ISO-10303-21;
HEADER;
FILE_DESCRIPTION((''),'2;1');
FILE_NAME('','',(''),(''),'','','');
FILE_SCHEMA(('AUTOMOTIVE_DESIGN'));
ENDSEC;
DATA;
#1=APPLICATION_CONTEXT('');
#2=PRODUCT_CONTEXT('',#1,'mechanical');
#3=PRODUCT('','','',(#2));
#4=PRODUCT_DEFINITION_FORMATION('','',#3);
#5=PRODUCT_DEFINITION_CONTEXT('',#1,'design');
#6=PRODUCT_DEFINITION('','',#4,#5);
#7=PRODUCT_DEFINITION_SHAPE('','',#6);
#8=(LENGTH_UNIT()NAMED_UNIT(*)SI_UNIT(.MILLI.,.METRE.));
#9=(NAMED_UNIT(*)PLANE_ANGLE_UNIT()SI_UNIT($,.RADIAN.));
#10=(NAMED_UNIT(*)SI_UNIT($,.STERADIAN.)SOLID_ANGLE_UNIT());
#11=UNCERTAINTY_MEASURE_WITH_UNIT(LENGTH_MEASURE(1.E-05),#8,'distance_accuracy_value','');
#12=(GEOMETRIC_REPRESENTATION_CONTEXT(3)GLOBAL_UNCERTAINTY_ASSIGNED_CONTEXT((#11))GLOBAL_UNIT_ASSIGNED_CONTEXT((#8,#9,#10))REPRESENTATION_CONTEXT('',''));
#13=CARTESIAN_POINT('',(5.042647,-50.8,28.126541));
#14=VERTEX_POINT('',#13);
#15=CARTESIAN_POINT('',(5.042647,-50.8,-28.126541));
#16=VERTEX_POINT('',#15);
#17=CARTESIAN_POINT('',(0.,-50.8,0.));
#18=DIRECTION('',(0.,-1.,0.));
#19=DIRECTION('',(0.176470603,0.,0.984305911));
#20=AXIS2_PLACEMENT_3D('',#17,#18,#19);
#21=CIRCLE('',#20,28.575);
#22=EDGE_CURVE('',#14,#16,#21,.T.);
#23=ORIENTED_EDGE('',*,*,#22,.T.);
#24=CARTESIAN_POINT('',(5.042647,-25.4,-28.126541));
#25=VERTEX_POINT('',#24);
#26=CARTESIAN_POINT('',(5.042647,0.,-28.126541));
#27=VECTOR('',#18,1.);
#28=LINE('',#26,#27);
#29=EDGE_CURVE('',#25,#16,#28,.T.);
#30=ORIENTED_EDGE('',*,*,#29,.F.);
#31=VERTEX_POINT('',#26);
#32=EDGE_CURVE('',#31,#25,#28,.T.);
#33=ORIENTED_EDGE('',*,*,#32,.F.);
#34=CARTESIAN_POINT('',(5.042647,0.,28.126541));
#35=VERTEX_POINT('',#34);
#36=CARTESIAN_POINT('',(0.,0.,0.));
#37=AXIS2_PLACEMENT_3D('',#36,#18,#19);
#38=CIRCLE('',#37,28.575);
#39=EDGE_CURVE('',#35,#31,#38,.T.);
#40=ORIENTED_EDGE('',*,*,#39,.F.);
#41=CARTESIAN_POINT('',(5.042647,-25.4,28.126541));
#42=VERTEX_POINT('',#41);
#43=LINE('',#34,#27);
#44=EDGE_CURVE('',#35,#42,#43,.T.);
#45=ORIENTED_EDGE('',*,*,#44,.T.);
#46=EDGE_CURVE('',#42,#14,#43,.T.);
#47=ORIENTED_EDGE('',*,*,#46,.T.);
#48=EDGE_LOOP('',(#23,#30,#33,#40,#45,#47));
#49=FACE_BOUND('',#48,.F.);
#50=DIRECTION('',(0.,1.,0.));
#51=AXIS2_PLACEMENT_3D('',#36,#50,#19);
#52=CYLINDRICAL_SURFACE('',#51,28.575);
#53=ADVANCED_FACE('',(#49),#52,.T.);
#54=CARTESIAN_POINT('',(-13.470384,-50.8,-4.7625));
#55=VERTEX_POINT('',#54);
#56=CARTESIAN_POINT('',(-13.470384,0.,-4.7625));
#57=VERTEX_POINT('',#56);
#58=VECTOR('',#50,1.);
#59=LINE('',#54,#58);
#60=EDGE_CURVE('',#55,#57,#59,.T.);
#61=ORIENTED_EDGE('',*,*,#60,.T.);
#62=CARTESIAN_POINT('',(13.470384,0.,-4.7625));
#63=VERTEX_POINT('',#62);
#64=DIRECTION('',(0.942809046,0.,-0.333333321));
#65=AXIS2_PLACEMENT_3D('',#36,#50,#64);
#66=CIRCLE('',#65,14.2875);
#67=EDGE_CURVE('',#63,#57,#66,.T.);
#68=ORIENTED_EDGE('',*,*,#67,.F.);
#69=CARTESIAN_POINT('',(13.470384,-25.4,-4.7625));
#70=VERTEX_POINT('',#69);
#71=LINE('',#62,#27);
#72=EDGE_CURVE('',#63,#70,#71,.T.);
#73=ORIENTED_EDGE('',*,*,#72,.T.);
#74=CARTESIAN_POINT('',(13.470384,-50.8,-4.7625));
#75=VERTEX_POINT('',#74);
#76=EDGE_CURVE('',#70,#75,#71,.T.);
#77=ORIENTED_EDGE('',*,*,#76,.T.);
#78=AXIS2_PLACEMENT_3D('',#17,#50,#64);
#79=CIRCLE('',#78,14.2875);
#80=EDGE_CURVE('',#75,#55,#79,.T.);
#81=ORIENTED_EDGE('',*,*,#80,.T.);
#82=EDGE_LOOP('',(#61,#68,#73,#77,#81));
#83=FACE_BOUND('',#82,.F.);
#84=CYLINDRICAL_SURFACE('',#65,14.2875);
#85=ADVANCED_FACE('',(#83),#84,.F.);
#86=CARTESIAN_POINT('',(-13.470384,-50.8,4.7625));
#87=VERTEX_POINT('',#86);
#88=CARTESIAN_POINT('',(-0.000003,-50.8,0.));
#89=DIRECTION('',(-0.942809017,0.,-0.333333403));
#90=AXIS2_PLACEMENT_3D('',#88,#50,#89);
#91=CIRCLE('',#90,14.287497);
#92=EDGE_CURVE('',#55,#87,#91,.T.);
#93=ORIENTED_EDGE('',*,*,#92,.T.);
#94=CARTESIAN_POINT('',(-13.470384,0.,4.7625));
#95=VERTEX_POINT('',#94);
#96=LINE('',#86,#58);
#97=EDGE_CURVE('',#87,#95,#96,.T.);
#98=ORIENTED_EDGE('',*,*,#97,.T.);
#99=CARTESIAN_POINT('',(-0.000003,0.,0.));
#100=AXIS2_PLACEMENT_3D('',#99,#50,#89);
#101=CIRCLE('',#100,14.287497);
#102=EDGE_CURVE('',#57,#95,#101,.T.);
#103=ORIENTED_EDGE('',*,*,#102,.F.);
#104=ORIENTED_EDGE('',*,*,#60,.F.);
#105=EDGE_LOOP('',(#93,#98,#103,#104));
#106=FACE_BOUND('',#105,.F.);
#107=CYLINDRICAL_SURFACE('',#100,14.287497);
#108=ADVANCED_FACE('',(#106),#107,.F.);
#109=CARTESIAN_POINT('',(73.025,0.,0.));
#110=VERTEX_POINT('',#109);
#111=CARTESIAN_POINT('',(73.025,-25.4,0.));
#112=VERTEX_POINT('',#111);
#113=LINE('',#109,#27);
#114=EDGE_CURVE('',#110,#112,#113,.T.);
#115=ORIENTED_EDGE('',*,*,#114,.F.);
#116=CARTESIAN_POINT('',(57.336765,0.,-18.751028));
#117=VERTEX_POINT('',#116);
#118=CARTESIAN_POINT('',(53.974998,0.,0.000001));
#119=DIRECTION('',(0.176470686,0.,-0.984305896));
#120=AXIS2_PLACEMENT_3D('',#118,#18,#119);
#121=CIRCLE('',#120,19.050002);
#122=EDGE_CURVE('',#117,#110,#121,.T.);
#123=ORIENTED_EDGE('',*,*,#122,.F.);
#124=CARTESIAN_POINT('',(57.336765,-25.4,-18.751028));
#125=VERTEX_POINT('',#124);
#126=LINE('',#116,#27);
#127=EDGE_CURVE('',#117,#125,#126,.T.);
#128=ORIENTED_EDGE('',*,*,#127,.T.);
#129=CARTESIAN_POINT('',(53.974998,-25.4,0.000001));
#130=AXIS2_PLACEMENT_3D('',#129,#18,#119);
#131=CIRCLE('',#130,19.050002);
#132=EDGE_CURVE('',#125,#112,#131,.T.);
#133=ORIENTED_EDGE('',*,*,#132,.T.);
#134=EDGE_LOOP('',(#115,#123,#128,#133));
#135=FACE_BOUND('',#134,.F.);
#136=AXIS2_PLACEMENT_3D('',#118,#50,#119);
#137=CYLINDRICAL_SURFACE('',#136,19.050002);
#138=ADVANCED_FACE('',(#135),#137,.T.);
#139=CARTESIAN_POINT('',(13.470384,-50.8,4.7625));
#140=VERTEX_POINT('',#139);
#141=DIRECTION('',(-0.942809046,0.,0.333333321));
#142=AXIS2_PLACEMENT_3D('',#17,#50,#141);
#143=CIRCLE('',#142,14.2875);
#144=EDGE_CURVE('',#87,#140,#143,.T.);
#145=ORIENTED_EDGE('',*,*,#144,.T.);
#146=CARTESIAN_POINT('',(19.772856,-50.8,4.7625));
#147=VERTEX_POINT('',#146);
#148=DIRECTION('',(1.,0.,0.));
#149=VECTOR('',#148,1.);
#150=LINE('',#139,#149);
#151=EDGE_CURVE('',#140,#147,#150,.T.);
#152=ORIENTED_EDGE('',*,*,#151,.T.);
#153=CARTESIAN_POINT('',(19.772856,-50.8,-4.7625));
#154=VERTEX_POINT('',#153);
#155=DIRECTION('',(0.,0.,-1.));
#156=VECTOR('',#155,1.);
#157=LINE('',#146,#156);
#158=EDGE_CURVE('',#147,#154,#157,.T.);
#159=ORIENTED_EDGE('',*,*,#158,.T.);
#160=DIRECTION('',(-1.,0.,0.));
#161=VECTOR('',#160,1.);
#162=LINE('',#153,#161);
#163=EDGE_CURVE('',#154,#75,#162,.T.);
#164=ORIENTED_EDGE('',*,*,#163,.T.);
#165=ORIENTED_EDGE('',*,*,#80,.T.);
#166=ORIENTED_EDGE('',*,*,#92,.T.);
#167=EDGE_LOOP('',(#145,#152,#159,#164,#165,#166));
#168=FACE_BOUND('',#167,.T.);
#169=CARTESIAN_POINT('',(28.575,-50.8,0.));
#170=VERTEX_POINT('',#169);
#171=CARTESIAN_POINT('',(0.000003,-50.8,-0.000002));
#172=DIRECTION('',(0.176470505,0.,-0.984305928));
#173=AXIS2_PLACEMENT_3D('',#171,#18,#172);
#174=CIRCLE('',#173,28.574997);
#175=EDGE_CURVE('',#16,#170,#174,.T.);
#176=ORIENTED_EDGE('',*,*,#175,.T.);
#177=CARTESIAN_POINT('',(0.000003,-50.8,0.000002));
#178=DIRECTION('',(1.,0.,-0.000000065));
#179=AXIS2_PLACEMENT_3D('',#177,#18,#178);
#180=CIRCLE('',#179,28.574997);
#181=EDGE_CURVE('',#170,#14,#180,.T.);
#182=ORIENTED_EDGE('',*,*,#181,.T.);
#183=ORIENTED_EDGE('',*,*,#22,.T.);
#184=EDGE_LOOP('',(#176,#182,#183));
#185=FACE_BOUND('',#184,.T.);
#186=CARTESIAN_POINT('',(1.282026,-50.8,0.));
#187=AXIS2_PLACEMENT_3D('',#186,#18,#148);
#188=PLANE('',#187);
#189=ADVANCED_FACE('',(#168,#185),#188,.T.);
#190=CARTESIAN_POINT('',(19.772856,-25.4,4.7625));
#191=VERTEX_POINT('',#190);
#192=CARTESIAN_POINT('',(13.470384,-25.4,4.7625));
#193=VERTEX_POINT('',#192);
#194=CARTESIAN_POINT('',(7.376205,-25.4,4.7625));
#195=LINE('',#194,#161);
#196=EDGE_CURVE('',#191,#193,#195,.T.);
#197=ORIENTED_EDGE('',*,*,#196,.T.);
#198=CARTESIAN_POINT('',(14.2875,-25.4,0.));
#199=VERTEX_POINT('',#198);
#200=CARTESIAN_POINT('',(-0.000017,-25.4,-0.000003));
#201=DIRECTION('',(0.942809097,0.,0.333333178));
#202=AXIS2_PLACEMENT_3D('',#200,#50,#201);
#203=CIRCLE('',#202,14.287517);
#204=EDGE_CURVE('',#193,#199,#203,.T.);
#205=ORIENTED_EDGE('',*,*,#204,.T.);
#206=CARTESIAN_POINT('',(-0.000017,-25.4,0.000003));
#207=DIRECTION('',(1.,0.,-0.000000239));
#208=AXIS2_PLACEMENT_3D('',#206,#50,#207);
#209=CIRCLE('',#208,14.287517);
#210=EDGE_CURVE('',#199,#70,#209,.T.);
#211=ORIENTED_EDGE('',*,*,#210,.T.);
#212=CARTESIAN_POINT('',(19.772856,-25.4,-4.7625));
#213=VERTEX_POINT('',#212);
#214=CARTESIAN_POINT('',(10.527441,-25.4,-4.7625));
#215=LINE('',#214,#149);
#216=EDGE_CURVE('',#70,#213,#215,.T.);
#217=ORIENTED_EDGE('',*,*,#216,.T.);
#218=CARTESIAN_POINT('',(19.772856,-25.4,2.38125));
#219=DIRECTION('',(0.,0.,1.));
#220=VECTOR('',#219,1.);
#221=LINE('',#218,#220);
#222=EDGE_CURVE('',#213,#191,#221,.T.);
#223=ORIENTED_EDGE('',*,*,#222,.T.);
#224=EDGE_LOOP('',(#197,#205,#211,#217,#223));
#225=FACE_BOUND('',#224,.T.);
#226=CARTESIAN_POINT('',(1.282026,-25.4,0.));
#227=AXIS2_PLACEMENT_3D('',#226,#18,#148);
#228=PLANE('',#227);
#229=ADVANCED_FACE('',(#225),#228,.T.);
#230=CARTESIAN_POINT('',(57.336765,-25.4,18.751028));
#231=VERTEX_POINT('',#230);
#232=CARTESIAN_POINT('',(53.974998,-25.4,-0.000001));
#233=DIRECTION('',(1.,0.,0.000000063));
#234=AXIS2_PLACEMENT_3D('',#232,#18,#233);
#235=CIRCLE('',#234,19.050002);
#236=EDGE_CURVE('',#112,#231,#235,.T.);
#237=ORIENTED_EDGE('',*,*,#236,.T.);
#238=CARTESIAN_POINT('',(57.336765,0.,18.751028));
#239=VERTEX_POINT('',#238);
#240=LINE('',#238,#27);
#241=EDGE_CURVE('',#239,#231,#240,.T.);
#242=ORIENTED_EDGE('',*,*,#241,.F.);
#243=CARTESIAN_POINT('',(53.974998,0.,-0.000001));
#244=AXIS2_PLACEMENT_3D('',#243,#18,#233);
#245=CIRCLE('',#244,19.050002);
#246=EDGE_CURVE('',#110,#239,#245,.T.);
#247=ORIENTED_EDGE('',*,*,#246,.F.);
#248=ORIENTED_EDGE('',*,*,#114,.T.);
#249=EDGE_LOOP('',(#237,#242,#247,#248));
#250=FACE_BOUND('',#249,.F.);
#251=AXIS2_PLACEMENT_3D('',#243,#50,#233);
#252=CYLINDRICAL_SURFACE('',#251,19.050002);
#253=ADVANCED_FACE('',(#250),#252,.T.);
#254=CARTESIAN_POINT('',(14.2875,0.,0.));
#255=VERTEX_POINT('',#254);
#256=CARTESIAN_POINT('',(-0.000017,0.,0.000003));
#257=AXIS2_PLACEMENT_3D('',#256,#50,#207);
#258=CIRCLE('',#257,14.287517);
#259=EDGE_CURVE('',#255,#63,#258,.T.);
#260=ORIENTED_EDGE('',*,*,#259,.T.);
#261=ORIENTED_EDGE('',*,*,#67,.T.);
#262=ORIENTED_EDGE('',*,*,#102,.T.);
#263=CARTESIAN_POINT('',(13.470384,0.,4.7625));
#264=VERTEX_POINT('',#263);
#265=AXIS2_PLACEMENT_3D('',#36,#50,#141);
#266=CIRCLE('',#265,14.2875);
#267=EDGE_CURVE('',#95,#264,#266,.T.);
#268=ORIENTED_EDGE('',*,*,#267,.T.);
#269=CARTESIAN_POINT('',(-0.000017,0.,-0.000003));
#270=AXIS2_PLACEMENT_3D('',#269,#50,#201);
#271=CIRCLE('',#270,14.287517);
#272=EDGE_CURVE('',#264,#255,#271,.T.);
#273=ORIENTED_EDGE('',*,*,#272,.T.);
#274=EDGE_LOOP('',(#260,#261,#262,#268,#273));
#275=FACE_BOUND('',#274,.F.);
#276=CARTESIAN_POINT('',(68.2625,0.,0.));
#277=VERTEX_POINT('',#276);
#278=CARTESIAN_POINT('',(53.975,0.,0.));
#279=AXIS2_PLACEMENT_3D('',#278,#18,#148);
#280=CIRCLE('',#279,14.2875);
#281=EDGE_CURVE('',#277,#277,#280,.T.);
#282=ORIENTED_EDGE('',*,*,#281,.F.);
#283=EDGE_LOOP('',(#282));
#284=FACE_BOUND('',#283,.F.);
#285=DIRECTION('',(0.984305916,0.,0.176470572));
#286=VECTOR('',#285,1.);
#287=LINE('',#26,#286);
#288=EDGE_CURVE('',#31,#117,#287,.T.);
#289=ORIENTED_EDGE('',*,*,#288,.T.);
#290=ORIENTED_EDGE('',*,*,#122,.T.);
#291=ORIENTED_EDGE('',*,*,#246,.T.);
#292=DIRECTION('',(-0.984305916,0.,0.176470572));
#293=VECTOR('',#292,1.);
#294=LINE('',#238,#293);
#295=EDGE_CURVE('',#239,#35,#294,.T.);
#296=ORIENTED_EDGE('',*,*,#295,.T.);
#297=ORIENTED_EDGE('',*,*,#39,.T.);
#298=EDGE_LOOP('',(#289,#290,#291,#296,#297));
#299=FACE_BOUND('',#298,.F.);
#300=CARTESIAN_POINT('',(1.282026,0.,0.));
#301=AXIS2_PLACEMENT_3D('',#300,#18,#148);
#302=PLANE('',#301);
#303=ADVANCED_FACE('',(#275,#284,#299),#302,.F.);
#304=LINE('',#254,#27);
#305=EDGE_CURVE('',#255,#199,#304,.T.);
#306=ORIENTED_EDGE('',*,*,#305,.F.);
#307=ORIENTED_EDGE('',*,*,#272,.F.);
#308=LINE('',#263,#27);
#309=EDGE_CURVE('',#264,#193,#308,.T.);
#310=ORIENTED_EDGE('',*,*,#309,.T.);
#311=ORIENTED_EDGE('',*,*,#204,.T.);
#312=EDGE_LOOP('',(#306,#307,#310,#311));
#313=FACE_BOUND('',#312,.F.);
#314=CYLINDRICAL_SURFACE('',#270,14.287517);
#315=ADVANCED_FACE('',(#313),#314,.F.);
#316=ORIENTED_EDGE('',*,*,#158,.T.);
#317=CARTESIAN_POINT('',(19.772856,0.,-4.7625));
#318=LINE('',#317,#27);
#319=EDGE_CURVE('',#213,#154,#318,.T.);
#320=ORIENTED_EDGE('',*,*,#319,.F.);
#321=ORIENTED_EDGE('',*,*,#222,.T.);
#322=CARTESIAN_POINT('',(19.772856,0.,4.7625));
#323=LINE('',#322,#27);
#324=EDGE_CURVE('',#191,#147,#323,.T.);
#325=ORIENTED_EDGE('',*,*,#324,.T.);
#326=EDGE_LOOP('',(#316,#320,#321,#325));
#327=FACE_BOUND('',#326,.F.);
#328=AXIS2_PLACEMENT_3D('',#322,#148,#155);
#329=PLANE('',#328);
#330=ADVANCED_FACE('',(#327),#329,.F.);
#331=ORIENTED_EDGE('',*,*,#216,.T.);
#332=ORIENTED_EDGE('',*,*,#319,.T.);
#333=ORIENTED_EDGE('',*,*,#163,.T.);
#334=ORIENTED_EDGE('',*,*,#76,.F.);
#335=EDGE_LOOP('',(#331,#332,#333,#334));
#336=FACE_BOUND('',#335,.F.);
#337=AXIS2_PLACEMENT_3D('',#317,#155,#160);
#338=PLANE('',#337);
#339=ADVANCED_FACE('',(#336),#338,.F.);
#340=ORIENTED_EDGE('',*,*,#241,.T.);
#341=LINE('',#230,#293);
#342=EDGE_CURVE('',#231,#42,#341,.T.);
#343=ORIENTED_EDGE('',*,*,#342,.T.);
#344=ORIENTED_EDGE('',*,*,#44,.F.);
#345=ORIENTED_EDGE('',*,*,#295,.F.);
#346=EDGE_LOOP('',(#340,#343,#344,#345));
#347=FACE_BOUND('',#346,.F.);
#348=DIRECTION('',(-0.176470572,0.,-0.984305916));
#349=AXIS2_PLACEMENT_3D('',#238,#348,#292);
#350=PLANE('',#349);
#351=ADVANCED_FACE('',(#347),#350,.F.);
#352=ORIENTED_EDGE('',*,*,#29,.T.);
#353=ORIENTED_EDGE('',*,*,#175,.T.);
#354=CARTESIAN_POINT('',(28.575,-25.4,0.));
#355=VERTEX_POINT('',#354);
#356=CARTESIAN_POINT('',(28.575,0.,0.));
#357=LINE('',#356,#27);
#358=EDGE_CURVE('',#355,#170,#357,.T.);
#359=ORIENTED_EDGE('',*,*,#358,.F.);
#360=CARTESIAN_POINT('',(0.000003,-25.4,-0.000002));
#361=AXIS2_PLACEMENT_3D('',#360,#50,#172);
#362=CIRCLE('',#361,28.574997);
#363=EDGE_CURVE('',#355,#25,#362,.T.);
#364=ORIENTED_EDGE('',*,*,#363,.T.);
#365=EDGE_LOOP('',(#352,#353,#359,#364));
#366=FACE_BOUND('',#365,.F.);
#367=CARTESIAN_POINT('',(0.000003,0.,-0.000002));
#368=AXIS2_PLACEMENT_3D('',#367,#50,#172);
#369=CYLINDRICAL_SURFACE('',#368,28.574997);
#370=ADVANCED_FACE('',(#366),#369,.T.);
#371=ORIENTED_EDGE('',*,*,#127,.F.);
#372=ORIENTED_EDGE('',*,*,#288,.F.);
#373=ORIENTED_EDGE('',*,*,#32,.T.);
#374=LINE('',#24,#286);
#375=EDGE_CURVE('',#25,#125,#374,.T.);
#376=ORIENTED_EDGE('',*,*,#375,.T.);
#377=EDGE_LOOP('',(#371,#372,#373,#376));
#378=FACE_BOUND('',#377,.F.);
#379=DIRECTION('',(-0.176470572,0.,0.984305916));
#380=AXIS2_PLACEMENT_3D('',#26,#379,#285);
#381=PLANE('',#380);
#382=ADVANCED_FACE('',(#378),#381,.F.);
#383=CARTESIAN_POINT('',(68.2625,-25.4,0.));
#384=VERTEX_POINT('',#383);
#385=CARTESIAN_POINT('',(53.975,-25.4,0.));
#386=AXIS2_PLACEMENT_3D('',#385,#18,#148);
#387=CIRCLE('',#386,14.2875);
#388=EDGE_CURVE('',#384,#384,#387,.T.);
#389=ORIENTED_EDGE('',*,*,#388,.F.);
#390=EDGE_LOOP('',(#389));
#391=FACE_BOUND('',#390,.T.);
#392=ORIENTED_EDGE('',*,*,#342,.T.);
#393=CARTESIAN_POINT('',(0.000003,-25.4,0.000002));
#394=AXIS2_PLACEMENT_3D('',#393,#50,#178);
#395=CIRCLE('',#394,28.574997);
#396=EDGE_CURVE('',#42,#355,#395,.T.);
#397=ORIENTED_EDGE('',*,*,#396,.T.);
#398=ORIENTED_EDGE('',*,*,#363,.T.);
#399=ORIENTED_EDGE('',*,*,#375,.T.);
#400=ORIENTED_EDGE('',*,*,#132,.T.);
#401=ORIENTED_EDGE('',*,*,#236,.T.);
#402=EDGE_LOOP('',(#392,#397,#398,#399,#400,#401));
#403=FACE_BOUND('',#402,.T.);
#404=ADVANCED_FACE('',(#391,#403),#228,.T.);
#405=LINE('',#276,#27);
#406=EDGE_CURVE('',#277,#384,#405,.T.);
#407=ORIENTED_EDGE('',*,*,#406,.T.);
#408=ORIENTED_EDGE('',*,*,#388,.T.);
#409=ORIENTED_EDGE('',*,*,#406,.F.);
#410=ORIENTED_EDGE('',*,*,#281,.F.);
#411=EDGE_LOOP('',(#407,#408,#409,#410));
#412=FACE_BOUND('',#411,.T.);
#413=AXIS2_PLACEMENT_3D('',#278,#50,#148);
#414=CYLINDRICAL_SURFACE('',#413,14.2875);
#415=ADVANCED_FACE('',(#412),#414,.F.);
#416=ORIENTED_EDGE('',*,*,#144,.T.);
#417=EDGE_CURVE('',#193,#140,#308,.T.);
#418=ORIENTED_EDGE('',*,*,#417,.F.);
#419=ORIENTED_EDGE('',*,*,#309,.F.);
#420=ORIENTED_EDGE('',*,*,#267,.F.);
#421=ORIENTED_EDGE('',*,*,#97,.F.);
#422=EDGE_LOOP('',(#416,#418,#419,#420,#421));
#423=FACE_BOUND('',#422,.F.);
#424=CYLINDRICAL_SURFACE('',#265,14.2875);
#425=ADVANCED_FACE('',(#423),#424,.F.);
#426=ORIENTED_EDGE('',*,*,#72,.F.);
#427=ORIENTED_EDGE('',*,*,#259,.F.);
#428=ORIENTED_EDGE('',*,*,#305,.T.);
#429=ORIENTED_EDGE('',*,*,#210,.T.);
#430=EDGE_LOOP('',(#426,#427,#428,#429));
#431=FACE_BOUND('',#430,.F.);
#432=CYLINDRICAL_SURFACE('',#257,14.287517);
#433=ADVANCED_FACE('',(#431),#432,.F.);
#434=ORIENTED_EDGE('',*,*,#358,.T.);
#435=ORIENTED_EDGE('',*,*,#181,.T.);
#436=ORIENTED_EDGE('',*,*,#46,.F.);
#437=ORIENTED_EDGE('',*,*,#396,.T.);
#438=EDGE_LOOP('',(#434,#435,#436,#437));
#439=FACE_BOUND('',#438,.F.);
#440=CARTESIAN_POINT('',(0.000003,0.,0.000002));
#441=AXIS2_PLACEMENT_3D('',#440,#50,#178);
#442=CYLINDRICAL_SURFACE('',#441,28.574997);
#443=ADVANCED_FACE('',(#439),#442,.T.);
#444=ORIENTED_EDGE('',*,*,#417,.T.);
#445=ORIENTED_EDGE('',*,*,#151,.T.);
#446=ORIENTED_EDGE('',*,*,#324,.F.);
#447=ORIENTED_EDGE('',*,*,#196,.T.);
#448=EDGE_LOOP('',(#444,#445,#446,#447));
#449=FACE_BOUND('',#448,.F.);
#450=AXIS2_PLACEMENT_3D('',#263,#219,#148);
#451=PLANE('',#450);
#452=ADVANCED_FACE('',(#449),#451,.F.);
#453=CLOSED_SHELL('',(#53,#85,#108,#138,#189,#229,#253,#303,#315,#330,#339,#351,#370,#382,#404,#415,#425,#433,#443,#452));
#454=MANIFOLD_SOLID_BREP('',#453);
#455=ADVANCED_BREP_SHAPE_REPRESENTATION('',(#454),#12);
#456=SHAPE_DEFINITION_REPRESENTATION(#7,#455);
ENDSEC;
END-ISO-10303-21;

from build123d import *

# Parameters (mm, degrees)
F0_R     = 14.2875
F1_DEPTH = 25.4
F2_DEPTH = 50.8


with BuildPart() as f1:
    # F0 (on Front) → F1 (new body)
    with BuildSketch(Plane.XZ):
        with BuildLine():
            ThreePointArc((5.042647, -28.126541), (21.916025, -18.336262), (28.575, 0))
            ThreePointArc((28.575, 0), (21.916025, 18.336262), (5.042647, 28.126541))
            ThreePointArc((5.042647, 28.126541), (-28.575, 0), (5.042647, -28.126541))
        make_face()
        with BuildLine():
            ThreePointArc((-13.470384, 4.7625), (0, 14.2875), (13.470384, 4.7625))
            Line((13.470384, 4.7625), (19.772856, 4.7625))
            Line((19.772856, 4.7625), (19.772856, -4.7625))
            Line((19.772856, -4.7625), (13.470384, -4.7625))
            ThreePointArc((13.470384, -4.7625), (0, -14.2875), (-13.470384, -4.7625))
            Line((-13.470384, -4.7625), (-19.772856, -4.7625))
            Line((-19.772856, -4.7625), (-19.772856, 4.7625))
            Line((-19.772856, 4.7625), (-13.470384, 4.7625))
        make_face(mode=Mode.SUBTRACT)
        with BuildLine():
            ThreePointArc((-13.470384, -4.7625), (-14.2875, 0), (-13.470384, 4.7625))
            Line((-13.470384, 4.7625), (-19.772856, 4.7625))
            Line((-19.772856, 4.7625), (-19.772856, -4.7625))
            Line((-19.772856, -4.7625), (-13.470384, -4.7625))
        make_face()
        with BuildLine():
            ThreePointArc((13.470384, 4.7625), (14.081739, 2.416045), (14.2875, 0))
            ThreePointArc((14.2875, 0), (14.081739, -2.416045), (13.470384, -4.7625))
            Line((13.470384, -4.7625), (19.772856, -4.7625))
            Line((19.772856, -4.7625), (19.772856, 4.7625))
            Line((19.772856, 4.7625), (13.470384, 4.7625))
        make_face()
        with BuildLine():
            ThreePointArc((5.042647, 28.126541), (21.916025, 18.336262), (28.575, 0))
            ThreePointArc((28.575, 0), (21.916025, -18.336262), (5.042647, -28.126541))
            Line((5.042647, -28.126541), (57.336765, -18.751028))
            ThreePointArc((57.336765, -18.751028), (34.925, 0), (57.336765, 18.751028))
            Line((57.336765, 18.751028), (5.042647, 28.126541))
        make_face()
        with BuildLine():
            ThreePointArc((73.025, 0), (68.585683, 12.224174), (57.336765, 18.751028))
            ThreePointArc((57.336765, 18.751028), (34.925, 0), (57.336765, -18.751028))
            ThreePointArc((57.336765, -18.751028), (68.585683, -12.224174), (73.025, 0))
        make_face()
        with Locations((53.975, 0)):
            Circle(F0_R, mode=Mode.SUBTRACT)
    extrude(amount=F1_DEPTH)

    # F0 (on Front) → F2 (join)
    with BuildSketch(Plane.XZ):
        with BuildLine():
            ThreePointArc((5.042647, -28.126541), (21.916025, -18.336262), (28.575, 0))
            ThreePointArc((28.575, 0), (21.916025, 18.336262), (5.042647, 28.126541))
            ThreePointArc((5.042647, 28.126541), (-28.575, 0), (5.042647, -28.126541))
        make_face()
        with BuildLine():
            ThreePointArc((-13.470384, 4.7625), (0, 14.2875), (13.470384, 4.7625))
            Line((13.470384, 4.7625), (19.772856, 4.7625))
            Line((19.772856, 4.7625), (19.772856, -4.7625))
            Line((19.772856, -4.7625), (13.470384, -4.7625))
            ThreePointArc((13.470384, -4.7625), (0, -14.2875), (-13.470384, -4.7625))
            Line((-13.470384, -4.7625), (-19.772856, -4.7625))
            Line((-19.772856, -4.7625), (-19.772856, 4.7625))
            Line((-19.772856, 4.7625), (-13.470384, 4.7625))
        make_face(mode=Mode.SUBTRACT)
        with BuildLine():
            ThreePointArc((-13.470384, -4.7625), (-14.2875, 0), (-13.470384, 4.7625))
            Line((-13.470384, 4.7625), (-19.772856, 4.7625))
            Line((-19.772856, 4.7625), (-19.772856, -4.7625))
            Line((-19.772856, -4.7625), (-13.470384, -4.7625))
        make_face()
    extrude(amount=F2_DEPTH)


solid = f1.part
